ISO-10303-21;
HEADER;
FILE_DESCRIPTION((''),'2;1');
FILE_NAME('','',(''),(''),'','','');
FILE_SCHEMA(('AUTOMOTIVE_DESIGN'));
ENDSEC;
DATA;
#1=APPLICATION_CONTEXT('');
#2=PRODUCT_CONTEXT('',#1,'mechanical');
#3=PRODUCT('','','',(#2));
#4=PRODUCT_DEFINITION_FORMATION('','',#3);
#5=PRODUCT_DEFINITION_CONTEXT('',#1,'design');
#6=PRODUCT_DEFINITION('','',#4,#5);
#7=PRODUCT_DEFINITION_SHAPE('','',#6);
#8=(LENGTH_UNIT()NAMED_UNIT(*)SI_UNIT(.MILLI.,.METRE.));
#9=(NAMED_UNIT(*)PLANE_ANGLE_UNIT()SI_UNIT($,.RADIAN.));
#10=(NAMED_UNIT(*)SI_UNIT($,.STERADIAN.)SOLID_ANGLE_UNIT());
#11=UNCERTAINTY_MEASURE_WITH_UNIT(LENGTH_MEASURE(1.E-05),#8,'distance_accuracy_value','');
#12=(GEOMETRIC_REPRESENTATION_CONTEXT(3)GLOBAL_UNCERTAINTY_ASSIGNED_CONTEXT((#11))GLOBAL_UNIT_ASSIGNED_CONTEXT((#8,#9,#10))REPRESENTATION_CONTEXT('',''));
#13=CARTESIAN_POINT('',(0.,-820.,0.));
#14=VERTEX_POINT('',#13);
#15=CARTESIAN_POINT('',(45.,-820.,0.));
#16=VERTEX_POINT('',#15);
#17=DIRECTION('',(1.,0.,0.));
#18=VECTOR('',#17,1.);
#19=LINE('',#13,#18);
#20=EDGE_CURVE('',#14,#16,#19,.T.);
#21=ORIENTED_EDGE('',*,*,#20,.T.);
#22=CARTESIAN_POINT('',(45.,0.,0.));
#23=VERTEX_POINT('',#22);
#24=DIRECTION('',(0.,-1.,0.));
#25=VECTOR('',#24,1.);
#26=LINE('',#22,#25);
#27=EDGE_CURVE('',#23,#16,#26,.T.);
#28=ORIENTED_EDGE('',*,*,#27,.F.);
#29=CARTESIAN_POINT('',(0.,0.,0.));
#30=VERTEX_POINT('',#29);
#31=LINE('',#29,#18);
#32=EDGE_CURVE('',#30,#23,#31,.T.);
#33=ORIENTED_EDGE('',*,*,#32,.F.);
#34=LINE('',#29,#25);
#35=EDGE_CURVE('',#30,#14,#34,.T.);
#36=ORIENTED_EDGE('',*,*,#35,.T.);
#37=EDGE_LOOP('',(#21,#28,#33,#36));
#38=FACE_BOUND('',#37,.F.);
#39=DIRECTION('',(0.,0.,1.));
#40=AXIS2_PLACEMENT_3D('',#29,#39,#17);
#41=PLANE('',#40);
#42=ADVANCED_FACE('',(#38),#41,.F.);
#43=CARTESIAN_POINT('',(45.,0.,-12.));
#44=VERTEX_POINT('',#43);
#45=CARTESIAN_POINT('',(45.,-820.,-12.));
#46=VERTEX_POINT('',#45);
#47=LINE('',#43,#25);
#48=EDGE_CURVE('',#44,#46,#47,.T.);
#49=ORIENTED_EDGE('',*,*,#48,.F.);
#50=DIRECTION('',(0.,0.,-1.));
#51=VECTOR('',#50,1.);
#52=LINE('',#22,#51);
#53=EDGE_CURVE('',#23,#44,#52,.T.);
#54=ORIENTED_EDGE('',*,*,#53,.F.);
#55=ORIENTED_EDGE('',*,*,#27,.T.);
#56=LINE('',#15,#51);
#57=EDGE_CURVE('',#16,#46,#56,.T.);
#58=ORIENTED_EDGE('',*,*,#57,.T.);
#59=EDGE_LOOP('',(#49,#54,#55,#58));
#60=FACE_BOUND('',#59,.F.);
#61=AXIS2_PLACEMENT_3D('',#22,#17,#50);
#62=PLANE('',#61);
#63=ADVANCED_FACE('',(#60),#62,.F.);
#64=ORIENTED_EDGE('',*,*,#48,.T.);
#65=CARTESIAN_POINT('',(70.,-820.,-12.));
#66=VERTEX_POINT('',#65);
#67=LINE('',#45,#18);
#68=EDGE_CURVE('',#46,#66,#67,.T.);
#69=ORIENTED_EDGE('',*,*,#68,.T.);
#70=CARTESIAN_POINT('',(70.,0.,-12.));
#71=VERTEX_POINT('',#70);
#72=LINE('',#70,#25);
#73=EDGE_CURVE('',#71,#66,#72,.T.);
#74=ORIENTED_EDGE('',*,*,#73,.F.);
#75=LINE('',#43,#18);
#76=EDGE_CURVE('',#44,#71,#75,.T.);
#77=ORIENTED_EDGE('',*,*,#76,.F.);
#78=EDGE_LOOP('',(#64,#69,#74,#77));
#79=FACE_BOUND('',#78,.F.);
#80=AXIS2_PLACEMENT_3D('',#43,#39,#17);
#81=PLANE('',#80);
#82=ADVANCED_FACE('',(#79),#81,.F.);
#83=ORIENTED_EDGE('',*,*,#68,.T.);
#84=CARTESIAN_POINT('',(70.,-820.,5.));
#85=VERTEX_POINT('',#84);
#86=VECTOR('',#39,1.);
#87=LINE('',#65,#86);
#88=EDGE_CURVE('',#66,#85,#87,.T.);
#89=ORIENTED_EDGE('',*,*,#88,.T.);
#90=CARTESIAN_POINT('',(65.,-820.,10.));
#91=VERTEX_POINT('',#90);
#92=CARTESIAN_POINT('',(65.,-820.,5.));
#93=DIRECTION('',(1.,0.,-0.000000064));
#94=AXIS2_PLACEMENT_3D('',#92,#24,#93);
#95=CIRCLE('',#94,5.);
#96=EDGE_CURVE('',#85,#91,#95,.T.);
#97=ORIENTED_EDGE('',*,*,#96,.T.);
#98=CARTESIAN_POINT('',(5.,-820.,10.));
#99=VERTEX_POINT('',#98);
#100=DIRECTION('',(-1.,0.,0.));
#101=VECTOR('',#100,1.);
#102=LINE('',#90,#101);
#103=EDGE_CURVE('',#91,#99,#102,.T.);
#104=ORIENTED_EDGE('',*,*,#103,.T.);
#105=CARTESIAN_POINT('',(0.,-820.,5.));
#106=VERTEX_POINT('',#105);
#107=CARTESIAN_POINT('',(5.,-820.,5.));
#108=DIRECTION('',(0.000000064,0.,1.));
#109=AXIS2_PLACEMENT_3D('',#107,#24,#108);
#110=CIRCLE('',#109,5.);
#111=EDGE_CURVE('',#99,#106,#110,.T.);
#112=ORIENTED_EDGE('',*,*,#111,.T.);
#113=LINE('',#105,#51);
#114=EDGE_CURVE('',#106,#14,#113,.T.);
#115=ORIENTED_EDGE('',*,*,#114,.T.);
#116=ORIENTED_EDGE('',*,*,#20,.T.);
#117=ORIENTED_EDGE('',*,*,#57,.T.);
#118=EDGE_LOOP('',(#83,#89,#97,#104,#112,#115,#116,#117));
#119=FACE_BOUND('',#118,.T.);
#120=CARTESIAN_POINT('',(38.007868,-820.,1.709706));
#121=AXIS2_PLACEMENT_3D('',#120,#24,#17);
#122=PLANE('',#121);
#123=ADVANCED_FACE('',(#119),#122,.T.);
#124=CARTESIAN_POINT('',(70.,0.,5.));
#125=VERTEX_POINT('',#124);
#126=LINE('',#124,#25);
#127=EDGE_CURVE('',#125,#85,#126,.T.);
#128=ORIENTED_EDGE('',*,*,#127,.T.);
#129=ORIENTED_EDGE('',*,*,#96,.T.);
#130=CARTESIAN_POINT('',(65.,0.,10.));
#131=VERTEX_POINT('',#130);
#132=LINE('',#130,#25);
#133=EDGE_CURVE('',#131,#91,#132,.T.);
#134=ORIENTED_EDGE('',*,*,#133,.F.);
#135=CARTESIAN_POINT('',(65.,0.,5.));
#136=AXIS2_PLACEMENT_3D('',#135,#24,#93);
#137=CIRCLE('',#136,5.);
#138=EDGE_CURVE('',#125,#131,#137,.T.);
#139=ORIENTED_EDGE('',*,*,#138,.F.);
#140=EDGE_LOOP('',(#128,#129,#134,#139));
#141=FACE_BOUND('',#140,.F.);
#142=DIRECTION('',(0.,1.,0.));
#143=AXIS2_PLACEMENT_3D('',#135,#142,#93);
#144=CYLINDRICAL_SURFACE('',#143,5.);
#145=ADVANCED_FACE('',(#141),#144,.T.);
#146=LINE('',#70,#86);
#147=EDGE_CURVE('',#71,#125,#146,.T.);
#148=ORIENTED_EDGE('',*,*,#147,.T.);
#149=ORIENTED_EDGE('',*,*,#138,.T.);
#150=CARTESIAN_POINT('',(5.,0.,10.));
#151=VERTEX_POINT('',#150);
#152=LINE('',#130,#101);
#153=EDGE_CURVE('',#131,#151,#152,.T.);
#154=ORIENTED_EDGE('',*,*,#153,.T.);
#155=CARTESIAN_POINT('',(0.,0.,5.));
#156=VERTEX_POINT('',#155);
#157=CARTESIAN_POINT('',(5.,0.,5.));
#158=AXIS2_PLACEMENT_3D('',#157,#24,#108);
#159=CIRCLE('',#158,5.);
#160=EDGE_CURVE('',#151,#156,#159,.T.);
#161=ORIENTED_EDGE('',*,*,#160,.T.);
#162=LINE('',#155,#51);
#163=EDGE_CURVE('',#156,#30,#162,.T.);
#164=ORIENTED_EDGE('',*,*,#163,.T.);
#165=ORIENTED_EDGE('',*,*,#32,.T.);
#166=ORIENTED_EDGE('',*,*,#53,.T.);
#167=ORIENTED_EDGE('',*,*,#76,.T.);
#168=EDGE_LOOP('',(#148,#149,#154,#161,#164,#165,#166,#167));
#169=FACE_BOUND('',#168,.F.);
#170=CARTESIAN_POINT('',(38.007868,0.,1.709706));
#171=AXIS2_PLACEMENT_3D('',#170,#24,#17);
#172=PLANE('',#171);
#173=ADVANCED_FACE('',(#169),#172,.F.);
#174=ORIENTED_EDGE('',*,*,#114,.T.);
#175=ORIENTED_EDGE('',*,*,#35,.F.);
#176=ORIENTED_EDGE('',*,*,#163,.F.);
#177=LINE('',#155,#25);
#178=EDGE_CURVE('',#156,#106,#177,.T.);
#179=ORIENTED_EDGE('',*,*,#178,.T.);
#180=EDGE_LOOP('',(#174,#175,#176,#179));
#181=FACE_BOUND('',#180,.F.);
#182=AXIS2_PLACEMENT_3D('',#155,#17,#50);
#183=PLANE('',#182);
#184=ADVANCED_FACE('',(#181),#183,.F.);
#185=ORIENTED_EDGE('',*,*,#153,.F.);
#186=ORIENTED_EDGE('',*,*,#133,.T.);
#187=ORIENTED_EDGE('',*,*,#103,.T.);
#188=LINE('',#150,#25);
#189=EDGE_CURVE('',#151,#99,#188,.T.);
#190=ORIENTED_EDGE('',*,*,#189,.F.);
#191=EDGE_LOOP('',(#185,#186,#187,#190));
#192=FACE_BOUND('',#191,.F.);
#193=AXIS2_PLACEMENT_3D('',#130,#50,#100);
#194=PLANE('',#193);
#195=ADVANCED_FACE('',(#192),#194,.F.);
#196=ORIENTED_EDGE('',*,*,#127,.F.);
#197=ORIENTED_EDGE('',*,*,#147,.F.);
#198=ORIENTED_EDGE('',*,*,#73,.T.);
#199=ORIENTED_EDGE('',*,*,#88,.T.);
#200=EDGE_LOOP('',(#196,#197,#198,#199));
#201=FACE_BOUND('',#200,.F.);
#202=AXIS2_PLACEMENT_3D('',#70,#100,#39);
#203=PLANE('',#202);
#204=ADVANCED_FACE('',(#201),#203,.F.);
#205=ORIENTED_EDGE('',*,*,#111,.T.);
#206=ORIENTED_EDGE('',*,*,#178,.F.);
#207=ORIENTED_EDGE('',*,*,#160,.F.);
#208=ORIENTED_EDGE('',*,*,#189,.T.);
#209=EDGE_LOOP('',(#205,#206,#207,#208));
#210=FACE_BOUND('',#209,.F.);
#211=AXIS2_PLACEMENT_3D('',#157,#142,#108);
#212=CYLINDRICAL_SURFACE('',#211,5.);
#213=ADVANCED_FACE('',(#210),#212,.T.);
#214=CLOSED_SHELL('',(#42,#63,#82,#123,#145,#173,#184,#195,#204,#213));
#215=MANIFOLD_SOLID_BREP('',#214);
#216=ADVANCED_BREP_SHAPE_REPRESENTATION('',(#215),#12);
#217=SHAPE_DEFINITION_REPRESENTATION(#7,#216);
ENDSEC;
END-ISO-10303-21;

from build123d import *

# Parameters (mm, degrees)
F1_DEPTH = 820


with BuildPart() as f1:
    # F0 (on Front) → F1 (new body)
    with BuildSketch(Plane.XZ):
        with BuildLine():
            Line((0, 5), (0, 0))
            Line((0, 0), (45, 0))
            Line((45, 0), (45, -12))
            Line((45, -12), (70, -12))
            Line((70, -12), (70, 5))
            ThreePointArc((70, 5), (68.535534, 8.535534), (65, 10))
            Line((65, 10), (5, 10))
            ThreePointArc((5, 10), (1.464466, 8.535534), (0, 5))
        make_face()
    extrude(amount=F1_DEPTH)


solid = f1.part
